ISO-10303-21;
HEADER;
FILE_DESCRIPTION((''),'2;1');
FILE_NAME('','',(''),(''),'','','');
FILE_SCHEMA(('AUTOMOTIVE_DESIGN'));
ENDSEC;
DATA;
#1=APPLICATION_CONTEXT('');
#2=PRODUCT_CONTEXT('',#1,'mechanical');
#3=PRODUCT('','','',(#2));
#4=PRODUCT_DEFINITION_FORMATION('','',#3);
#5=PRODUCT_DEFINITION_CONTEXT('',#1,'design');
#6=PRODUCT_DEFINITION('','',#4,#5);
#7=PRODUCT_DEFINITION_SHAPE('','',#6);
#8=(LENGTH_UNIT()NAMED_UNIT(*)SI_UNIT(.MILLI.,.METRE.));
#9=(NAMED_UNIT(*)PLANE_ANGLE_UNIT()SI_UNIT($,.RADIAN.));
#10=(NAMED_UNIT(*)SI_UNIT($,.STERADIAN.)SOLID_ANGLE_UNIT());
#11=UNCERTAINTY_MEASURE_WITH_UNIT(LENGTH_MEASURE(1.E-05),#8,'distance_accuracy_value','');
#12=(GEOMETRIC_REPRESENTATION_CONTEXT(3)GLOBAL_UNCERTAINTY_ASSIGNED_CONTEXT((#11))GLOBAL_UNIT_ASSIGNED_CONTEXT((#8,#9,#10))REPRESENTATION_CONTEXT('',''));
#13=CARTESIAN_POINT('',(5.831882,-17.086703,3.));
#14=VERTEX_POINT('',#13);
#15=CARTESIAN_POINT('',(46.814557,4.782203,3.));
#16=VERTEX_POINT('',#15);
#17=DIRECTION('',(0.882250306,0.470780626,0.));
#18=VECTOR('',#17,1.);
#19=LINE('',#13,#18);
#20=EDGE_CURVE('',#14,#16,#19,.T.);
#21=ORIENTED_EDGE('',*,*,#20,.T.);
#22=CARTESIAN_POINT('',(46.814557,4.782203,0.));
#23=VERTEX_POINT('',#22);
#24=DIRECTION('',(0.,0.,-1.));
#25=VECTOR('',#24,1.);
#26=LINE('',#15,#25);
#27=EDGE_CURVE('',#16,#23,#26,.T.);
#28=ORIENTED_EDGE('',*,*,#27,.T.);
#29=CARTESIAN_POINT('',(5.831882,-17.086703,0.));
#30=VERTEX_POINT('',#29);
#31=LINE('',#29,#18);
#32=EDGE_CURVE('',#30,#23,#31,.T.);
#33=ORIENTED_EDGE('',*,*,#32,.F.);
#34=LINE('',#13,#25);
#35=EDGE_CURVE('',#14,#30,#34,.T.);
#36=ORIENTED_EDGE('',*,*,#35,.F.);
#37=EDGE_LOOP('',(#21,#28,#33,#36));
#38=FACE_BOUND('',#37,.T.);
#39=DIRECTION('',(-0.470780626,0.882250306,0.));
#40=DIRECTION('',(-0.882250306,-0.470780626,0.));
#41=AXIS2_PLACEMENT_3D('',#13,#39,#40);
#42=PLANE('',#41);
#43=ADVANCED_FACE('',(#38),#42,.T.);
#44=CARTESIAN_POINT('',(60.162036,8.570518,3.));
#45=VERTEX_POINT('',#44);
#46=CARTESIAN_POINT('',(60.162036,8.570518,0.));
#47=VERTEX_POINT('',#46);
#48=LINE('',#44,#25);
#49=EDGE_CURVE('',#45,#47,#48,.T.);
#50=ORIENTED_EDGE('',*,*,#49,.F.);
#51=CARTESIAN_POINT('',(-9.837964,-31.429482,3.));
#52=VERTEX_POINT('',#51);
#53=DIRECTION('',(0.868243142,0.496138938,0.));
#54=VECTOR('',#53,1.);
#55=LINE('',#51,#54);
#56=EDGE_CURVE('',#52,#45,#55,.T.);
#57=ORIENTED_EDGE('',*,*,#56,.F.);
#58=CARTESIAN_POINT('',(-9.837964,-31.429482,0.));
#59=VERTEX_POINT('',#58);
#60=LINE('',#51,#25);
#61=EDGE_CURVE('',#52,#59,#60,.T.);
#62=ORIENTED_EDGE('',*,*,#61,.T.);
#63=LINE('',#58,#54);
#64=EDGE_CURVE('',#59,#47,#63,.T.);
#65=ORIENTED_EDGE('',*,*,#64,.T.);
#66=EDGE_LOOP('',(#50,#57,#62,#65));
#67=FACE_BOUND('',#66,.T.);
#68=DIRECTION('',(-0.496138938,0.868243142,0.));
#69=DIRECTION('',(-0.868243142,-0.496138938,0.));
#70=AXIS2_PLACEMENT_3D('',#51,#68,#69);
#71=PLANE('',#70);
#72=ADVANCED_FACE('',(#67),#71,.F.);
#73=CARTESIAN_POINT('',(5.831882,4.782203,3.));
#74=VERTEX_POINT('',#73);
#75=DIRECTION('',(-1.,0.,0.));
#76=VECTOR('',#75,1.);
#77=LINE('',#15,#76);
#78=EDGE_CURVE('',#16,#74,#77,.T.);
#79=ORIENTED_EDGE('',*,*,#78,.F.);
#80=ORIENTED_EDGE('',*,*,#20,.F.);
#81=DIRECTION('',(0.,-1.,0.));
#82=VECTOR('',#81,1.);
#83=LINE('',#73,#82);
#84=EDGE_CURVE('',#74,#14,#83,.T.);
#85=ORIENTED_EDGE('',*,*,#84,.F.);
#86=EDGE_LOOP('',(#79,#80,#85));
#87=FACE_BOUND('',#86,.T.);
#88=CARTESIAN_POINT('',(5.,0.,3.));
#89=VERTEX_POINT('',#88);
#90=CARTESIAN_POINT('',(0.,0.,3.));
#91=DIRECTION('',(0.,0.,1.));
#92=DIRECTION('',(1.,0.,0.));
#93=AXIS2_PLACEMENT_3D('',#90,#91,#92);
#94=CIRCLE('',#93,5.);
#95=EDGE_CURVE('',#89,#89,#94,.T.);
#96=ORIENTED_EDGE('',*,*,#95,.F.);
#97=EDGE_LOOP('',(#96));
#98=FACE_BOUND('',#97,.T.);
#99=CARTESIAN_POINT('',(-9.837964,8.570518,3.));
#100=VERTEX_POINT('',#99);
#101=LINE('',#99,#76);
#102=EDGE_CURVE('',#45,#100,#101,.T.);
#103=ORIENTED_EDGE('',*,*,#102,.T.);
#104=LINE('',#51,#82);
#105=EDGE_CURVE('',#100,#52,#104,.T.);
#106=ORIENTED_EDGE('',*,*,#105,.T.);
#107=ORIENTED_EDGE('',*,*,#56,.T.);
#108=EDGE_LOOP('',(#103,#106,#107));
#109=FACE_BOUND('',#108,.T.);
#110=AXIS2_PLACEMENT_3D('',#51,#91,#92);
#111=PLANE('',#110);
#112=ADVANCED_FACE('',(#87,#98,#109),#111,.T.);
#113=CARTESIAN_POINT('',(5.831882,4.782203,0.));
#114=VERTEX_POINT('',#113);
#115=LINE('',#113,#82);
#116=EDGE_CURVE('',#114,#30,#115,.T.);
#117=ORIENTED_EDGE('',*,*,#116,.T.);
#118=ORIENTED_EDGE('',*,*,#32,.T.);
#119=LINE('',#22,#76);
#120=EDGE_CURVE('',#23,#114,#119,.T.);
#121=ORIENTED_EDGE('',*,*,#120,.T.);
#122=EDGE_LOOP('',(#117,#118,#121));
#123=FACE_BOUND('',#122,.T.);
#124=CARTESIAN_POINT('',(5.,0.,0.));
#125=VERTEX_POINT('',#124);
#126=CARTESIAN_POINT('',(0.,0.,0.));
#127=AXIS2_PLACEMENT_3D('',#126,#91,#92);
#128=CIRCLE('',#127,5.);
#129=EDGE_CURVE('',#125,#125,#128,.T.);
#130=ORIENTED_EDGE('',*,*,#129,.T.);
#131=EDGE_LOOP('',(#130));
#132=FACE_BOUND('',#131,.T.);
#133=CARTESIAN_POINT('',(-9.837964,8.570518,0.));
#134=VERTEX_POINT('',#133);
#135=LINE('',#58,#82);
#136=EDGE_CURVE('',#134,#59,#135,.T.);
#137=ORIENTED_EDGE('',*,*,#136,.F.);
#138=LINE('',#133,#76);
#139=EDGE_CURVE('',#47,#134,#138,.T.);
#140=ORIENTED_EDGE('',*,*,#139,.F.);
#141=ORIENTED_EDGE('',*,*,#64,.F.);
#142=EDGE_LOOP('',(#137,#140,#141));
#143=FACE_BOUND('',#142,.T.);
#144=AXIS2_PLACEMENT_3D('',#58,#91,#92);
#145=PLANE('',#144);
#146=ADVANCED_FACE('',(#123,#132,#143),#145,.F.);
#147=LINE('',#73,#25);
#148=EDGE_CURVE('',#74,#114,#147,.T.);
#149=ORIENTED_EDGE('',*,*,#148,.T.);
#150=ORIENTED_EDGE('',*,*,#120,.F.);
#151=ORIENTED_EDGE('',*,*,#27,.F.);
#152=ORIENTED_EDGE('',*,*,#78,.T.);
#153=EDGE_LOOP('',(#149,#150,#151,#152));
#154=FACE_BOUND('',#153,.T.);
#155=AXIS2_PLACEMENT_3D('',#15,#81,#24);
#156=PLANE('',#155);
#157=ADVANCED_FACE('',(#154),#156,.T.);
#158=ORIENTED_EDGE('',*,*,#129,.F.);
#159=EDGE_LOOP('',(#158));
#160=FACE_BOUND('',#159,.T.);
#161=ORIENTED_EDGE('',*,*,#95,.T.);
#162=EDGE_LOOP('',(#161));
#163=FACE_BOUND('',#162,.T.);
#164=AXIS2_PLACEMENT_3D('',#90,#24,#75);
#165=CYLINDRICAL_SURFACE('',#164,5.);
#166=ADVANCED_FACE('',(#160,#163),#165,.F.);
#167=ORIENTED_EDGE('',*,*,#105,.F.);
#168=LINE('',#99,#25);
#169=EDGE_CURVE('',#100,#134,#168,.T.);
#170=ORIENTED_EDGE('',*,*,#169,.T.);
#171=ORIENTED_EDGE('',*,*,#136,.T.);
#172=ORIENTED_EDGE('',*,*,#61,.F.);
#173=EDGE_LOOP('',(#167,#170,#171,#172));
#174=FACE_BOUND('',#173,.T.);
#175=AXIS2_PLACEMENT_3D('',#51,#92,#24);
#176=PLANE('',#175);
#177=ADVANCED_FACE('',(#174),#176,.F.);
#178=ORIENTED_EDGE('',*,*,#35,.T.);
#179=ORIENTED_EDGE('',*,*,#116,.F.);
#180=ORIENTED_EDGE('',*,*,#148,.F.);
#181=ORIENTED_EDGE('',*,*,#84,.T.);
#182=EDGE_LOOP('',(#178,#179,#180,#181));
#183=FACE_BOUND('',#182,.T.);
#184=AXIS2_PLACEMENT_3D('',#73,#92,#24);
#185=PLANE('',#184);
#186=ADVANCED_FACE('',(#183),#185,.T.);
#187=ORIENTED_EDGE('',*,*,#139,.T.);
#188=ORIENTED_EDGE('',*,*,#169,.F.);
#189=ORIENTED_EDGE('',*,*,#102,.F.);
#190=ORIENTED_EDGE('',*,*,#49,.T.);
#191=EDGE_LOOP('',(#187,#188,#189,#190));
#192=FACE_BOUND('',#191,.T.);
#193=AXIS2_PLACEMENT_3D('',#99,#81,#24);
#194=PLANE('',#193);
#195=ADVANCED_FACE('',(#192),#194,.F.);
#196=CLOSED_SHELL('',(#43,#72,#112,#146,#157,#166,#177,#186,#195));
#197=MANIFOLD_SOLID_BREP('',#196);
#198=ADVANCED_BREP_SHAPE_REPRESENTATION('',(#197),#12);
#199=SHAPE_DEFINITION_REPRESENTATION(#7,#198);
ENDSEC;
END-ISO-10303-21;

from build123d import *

# Parameters (mm, degrees)
SKETCH_1_R      = 5
EXTRUDE_1_DEPTH = 3


with BuildPart() as part:
    # 草图1 → 凸台-拉伸1 (new body)
    with BuildSketch(Plane.XY):
        Polygon((-9.837963803, 8.570517693), (60.162036197, 8.570517693), (-9.837963803, -31.429482307), align=None)
        Circle(SKETCH_1_R, mode=Mode.SUBTRACT)
        Polygon((5.831882272, 4.782203257), (5.831882272, -17.086702804), (46.814556623, 4.782203257), align=None, mode=Mode.SUBTRACT)
    extrude(amount=EXTRUDE_1_DEPTH)


solid = part.part
